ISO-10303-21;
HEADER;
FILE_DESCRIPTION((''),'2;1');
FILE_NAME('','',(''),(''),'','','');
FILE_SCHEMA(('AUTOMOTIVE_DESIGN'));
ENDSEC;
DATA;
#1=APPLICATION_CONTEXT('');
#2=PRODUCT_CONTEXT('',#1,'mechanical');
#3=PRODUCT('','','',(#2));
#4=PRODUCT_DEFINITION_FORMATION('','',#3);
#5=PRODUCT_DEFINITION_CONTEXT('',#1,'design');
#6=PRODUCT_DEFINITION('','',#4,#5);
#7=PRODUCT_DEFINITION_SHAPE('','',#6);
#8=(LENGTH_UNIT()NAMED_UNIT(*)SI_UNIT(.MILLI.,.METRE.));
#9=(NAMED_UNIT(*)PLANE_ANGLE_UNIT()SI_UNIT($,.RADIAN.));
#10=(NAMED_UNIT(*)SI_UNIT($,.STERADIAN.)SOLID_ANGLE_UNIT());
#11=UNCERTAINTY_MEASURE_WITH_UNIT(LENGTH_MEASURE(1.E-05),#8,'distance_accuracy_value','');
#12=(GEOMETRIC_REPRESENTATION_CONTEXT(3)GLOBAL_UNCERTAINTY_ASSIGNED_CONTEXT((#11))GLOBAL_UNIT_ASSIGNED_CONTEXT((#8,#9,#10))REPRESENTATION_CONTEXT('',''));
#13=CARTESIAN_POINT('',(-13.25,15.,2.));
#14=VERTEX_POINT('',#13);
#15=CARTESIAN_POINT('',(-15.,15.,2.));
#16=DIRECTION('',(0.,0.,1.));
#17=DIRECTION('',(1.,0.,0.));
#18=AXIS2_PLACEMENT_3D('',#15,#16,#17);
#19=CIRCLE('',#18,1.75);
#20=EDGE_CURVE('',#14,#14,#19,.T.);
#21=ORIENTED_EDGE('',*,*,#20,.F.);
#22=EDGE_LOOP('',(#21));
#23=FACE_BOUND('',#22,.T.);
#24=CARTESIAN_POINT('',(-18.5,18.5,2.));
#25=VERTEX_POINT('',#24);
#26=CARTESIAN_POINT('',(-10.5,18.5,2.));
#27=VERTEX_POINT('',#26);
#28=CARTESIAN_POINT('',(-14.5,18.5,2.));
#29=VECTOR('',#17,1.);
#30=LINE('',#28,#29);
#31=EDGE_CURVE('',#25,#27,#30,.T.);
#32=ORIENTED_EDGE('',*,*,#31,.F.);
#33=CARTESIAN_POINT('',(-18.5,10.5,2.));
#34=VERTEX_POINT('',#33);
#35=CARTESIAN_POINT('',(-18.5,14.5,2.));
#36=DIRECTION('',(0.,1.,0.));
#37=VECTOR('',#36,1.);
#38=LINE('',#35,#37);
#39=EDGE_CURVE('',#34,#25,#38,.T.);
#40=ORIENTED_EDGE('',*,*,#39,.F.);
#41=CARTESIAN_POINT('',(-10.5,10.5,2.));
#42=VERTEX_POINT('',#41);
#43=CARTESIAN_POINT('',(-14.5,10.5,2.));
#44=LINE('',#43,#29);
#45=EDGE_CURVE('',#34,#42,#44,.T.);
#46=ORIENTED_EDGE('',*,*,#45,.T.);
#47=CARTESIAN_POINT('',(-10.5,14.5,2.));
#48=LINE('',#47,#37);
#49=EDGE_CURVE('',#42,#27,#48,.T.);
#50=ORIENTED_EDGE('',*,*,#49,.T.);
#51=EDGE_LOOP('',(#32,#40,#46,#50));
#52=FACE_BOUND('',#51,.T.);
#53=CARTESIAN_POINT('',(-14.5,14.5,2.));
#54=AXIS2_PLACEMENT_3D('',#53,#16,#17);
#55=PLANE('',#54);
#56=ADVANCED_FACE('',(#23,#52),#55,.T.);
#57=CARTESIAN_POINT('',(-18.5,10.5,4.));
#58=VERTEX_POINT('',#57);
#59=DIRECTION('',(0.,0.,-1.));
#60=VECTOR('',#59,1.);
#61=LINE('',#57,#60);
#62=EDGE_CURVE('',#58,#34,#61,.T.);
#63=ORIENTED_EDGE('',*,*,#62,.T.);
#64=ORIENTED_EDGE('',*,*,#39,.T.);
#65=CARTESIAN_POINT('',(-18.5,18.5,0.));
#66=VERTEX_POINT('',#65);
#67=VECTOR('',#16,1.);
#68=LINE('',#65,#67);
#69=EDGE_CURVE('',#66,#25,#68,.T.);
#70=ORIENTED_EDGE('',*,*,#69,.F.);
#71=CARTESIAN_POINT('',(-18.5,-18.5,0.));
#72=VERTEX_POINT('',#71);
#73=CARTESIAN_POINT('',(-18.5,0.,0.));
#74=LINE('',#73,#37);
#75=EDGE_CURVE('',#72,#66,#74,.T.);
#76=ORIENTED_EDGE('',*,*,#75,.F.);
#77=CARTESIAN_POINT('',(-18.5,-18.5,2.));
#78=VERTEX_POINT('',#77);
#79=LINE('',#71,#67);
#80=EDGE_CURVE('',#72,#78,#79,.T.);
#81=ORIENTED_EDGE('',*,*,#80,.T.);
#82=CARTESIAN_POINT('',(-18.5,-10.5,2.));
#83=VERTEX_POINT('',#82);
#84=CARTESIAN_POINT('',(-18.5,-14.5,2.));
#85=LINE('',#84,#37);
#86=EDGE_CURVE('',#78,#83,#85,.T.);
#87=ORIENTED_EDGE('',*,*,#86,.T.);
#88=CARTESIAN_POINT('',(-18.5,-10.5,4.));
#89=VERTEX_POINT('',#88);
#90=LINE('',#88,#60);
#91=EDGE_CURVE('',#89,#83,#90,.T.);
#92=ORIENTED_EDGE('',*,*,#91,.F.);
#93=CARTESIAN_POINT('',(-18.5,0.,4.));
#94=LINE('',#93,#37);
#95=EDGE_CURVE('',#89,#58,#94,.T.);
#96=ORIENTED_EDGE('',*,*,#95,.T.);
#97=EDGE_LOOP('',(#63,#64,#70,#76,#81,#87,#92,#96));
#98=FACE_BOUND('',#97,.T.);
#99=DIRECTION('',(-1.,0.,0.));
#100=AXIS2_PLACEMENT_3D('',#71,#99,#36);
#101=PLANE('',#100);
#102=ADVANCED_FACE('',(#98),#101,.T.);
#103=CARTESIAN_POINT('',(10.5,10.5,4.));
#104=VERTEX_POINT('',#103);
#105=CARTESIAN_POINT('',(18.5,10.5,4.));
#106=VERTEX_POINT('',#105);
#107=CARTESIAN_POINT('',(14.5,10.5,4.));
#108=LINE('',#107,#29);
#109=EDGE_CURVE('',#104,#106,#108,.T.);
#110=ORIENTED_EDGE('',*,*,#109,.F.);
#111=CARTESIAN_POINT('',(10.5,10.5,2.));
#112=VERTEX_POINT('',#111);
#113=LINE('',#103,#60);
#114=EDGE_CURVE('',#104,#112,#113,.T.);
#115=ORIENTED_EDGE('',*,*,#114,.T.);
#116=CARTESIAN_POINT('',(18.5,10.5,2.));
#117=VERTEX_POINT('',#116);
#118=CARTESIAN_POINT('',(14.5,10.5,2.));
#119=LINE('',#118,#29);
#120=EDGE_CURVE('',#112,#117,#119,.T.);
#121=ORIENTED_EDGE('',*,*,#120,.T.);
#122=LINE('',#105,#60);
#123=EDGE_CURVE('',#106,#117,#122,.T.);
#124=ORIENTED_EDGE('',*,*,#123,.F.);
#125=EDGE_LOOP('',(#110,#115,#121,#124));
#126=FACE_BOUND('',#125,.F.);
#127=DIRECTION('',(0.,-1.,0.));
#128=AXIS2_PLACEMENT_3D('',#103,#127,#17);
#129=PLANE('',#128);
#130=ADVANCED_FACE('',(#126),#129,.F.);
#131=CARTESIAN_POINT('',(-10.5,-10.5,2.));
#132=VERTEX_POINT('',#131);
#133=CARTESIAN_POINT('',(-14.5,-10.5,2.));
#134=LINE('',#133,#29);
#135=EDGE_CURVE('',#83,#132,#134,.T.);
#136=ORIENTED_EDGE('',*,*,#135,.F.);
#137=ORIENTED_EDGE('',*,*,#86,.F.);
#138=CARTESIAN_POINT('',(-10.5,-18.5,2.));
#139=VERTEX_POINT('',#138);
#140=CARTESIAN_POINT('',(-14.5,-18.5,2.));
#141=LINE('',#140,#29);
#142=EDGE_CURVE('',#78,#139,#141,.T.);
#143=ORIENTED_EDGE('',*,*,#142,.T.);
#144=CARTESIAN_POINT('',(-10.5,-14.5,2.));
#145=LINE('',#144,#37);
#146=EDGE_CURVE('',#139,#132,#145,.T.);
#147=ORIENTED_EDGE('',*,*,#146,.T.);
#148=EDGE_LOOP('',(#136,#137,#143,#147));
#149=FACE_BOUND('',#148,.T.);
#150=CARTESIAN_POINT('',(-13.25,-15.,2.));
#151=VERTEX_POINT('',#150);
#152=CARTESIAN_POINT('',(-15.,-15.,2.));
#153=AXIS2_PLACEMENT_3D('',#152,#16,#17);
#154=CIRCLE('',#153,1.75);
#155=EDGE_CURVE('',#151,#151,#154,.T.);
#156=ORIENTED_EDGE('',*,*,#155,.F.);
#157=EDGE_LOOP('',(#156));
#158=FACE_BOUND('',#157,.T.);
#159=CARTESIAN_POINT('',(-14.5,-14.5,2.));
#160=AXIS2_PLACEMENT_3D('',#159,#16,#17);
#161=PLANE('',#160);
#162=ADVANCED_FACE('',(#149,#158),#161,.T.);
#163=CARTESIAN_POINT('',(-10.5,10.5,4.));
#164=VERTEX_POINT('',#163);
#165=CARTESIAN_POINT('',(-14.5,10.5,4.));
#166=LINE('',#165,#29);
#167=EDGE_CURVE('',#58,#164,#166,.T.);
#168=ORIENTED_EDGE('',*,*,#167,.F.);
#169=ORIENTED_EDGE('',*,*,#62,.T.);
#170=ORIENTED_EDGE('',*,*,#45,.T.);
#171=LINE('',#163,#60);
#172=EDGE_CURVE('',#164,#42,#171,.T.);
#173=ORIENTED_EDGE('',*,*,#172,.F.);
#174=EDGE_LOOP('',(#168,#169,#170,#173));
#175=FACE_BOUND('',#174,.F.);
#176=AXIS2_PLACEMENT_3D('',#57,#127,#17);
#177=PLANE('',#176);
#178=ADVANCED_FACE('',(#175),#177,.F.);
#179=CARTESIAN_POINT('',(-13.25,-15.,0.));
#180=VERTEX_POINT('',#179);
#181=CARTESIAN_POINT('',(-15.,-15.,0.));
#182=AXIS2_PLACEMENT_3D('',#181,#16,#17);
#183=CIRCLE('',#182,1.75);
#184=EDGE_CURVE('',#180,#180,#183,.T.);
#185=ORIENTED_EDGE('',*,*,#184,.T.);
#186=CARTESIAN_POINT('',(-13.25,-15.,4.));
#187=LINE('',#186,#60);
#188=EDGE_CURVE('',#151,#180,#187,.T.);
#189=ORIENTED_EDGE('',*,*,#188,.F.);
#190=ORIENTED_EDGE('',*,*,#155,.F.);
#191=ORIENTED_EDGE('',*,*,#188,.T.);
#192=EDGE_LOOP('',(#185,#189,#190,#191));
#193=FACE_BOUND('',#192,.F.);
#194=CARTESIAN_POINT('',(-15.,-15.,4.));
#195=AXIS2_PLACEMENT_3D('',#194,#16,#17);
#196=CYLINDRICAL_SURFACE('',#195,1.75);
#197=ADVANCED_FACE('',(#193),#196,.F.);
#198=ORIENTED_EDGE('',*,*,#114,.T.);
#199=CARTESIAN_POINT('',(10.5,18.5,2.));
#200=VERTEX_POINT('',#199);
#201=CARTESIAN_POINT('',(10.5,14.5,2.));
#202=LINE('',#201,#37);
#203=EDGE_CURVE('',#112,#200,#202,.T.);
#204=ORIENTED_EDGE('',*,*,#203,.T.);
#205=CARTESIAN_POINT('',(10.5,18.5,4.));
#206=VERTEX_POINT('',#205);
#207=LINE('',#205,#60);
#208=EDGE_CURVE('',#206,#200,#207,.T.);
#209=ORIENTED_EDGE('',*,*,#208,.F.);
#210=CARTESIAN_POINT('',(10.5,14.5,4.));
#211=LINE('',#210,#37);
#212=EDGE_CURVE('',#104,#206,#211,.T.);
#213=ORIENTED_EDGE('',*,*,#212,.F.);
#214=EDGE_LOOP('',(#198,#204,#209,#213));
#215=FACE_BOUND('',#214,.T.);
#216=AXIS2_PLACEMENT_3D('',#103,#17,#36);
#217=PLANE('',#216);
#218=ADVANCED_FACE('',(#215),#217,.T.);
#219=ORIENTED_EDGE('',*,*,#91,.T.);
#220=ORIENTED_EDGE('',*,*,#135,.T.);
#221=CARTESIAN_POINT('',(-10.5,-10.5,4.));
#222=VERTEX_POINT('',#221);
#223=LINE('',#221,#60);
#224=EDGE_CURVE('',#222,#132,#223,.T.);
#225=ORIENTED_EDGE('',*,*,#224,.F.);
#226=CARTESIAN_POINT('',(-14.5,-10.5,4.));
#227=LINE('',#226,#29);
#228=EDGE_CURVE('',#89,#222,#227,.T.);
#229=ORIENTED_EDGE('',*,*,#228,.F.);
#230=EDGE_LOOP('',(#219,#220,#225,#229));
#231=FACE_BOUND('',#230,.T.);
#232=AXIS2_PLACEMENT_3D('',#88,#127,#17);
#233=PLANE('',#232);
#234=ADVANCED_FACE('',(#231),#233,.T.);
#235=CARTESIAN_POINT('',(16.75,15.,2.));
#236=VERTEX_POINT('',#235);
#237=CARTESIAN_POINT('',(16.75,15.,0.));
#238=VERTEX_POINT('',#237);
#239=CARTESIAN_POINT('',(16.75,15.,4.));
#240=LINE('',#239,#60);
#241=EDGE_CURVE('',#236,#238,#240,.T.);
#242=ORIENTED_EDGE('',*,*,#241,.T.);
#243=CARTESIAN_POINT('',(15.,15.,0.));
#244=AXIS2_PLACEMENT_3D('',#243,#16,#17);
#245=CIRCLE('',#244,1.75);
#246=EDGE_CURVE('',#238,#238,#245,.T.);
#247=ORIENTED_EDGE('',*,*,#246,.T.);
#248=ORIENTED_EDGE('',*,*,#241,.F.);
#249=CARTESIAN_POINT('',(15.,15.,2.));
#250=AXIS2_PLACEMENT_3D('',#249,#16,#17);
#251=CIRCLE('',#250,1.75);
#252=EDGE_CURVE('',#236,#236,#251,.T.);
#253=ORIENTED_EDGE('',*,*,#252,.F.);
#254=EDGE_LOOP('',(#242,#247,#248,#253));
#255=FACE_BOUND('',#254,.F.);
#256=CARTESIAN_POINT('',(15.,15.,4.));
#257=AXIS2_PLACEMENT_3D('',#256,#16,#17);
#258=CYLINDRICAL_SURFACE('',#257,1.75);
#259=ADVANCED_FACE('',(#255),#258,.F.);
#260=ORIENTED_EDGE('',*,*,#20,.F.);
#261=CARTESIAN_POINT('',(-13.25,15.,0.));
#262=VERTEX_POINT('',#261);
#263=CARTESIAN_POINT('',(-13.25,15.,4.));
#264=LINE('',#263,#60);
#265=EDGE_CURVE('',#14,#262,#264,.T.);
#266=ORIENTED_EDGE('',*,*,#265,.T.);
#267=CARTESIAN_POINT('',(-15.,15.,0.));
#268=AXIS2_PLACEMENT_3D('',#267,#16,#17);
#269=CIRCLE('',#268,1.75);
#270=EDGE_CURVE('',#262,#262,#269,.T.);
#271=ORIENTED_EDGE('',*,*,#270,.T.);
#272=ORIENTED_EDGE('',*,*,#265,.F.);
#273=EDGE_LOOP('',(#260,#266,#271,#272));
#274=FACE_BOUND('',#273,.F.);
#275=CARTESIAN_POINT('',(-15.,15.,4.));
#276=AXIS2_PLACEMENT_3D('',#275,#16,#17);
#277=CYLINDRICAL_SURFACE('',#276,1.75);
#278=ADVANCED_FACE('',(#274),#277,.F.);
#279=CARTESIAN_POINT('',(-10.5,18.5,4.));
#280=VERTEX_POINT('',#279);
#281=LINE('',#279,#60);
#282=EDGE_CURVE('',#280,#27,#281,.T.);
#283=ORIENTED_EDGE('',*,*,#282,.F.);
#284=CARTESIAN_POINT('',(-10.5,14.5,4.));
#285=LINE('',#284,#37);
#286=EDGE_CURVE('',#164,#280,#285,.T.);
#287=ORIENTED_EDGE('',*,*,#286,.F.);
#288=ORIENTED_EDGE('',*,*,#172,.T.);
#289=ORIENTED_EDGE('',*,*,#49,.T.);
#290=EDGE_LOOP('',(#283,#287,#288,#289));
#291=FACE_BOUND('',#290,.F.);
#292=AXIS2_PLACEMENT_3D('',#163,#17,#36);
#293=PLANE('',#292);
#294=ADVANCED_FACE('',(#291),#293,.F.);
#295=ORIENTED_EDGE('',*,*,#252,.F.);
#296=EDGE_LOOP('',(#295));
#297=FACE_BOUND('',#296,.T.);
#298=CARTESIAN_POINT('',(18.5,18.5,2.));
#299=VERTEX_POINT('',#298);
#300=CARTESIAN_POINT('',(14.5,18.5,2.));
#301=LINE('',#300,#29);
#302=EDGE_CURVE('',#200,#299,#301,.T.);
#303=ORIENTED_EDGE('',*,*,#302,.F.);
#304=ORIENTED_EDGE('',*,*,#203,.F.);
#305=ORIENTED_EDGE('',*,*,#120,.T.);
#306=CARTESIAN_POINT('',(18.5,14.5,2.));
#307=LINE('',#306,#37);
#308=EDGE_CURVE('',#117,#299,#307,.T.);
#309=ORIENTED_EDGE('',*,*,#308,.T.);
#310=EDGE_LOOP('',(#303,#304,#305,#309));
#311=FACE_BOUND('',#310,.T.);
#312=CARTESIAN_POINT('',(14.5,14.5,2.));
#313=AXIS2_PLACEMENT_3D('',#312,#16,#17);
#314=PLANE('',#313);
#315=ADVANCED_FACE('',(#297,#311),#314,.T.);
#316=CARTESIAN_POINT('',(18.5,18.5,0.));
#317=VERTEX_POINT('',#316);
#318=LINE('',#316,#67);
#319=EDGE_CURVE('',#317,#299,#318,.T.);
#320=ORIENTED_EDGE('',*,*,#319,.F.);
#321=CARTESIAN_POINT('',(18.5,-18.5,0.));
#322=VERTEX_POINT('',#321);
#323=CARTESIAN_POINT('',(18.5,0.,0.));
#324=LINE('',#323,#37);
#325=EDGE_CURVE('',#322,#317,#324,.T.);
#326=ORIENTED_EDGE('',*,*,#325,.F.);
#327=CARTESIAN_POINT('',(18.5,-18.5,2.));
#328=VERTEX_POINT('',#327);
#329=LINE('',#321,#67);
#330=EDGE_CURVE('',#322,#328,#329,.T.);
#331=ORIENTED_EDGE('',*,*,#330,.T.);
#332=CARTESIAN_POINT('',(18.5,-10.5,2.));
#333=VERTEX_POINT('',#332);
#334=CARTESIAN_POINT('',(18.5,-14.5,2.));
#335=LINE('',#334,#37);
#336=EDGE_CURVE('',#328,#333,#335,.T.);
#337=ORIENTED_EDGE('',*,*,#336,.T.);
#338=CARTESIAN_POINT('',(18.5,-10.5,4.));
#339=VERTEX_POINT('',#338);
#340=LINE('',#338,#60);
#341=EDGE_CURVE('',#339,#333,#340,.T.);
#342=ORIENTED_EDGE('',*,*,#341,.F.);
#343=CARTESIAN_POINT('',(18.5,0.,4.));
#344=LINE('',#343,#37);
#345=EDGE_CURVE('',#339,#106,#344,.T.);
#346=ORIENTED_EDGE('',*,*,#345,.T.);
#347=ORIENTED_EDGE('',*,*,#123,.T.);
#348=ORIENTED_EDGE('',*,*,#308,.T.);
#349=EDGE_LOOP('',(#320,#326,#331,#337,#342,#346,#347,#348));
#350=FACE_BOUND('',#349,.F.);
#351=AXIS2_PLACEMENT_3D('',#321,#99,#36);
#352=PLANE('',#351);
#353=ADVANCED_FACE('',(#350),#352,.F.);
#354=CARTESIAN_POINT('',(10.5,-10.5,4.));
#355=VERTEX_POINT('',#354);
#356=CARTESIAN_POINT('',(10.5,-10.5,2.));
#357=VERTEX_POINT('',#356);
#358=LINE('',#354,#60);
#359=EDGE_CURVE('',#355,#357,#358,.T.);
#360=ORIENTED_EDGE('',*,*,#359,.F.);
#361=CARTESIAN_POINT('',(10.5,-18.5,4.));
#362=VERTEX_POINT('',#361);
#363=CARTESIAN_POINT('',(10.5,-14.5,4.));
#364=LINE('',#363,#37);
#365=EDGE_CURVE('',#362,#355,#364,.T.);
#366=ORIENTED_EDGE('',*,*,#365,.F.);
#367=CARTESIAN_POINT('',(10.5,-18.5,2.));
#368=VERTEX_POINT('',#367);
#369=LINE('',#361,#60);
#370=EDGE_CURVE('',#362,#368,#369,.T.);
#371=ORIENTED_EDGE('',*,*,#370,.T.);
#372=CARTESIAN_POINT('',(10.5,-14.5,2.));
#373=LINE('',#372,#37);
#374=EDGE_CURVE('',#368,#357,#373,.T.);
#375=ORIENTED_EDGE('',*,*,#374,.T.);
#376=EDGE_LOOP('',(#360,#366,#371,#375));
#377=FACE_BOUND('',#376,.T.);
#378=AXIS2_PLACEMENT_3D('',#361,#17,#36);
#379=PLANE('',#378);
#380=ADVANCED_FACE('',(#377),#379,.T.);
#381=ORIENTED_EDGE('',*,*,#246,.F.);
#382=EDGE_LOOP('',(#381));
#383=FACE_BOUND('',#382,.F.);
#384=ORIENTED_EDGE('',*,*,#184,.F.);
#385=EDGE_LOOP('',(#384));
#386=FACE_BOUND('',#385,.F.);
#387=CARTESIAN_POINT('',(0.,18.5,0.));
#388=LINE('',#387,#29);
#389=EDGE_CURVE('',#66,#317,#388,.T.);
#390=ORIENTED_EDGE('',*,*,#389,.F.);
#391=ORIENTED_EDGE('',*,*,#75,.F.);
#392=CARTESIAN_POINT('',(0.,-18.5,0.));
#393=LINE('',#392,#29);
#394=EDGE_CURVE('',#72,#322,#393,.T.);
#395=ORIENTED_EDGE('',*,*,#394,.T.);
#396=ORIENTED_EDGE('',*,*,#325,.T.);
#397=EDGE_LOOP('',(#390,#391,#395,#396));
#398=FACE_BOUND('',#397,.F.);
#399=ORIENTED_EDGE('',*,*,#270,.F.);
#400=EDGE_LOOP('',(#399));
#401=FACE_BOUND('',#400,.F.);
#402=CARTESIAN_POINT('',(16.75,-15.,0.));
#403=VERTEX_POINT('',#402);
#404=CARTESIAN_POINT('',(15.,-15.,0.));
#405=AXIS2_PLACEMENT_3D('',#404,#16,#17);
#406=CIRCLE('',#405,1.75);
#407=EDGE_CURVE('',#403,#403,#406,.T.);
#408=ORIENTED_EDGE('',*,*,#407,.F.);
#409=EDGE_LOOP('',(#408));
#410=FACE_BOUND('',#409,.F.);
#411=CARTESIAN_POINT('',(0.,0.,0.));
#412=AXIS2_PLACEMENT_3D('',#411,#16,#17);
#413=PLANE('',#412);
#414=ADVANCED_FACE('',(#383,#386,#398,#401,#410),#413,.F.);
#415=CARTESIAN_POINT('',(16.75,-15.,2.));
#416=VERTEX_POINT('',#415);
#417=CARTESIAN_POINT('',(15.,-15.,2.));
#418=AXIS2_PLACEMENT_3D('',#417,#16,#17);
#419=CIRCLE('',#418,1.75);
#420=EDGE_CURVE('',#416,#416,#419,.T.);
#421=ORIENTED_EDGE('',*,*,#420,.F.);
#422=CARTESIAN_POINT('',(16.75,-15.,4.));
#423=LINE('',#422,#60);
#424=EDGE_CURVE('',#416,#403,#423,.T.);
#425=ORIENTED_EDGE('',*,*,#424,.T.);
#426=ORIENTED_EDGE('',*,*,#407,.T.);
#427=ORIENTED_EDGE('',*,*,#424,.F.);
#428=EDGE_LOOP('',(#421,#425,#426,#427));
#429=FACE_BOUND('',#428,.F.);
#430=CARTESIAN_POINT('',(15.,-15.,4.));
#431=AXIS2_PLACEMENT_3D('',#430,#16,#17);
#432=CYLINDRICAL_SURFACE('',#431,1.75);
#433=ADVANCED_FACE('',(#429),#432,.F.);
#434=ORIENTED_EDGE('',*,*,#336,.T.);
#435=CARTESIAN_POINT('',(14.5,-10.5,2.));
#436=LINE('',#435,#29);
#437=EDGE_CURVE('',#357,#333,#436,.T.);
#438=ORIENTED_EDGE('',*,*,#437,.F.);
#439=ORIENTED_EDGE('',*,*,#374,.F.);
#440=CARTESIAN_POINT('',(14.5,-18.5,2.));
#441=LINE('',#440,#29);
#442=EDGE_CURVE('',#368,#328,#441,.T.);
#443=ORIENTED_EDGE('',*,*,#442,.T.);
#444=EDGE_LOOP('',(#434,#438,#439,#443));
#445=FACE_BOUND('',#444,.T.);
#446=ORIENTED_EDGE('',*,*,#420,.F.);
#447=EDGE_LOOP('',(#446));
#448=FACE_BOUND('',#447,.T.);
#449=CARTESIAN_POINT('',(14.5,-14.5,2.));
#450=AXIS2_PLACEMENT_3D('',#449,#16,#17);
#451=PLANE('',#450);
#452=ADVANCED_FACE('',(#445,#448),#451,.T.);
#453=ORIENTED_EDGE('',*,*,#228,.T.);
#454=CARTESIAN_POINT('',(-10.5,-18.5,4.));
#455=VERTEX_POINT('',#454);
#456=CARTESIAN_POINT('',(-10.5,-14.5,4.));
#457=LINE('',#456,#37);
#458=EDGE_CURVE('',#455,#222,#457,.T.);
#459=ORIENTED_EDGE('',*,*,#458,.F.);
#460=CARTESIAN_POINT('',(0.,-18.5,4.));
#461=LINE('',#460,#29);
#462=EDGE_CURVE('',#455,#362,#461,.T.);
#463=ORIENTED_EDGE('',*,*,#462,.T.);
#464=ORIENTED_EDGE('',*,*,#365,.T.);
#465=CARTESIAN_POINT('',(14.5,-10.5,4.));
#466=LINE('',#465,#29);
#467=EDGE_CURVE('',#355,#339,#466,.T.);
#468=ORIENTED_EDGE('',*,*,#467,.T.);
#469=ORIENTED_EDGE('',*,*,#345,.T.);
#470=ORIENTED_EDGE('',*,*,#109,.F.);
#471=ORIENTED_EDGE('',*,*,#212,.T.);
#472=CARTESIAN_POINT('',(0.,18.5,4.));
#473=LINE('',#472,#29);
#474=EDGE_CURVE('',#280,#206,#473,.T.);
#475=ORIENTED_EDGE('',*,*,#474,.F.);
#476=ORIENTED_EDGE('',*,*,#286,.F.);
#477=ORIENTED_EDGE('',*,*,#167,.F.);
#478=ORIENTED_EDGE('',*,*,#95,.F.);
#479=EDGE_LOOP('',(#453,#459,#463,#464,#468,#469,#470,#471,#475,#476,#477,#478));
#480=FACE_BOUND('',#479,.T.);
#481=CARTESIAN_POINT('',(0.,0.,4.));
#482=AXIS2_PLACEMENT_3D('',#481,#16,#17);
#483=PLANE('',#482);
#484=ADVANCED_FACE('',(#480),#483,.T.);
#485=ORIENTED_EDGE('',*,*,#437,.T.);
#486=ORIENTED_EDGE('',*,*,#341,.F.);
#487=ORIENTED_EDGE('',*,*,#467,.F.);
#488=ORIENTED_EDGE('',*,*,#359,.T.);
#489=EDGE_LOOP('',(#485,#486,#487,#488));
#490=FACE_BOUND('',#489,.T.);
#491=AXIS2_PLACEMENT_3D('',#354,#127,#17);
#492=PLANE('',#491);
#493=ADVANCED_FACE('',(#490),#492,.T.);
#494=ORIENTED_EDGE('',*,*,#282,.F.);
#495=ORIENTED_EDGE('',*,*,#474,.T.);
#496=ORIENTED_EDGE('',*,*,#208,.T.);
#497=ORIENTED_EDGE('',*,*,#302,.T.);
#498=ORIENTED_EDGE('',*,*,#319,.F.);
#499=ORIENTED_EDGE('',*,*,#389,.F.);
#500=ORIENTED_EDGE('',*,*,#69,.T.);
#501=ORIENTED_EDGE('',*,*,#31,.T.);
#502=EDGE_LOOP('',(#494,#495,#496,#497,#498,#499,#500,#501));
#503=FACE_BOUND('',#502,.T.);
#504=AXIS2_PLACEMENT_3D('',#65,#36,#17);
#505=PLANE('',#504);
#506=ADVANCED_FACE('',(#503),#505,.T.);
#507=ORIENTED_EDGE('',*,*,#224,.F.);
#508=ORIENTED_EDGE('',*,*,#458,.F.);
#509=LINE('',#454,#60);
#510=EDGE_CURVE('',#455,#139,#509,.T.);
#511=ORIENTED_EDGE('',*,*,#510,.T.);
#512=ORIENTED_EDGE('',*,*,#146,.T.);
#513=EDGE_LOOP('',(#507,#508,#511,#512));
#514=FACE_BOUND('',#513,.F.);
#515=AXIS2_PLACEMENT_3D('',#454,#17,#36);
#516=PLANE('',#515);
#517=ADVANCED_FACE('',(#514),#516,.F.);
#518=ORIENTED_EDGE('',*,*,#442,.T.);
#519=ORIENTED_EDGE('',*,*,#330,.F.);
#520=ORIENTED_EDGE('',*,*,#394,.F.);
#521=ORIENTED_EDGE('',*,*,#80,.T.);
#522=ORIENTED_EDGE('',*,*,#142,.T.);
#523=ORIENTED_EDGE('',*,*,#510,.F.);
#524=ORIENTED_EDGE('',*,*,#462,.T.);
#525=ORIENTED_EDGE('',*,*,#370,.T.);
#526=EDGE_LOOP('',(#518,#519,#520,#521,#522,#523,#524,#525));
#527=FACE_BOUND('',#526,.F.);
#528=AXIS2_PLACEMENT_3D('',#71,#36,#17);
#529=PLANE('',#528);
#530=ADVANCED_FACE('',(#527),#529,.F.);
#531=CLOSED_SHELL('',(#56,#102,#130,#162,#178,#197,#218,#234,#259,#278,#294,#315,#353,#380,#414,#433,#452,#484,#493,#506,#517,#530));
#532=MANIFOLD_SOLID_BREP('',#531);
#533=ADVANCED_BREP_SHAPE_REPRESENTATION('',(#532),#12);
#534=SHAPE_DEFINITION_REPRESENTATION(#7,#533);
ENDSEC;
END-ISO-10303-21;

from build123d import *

# Parameters (mm, degrees)
SKETCH_W        = 37
SKETCH_H        = 37
PAD_DEPTH       = 4
SKETCH001_R     = 1.75
POCKET_DEPTH    = 4.001
SKETCH002_W     = 8
SKETCH002_H     = 8
POCKET001_DEPTH = 2


with BuildPart() as part:
    # Sketch → Pad (new body)
    with BuildSketch(Plane.XY):
        Rectangle(SKETCH_W, SKETCH_H)
    extrude(amount=PAD_DEPTH)

    # Sketch001 (on Face6 of Pad) → Pocket (cut, through all)
    with BuildSketch(Plane.XY.offset(4)):
        with Locations((-15, 15)):
            Circle(SKETCH001_R)
        with Locations((15, 15)):
            Circle(SKETCH001_R)
        with Locations((-15, -15)):
            Circle(SKETCH001_R)
        with Locations((15, -15)):
            Circle(SKETCH001_R)
    extrude(amount=-POCKET_DEPTH, mode=Mode.SUBTRACT)

    # Sketch002 (on Face5 of Pocket) → Pocket001 (cut)
    with BuildSketch(Plane.XY.offset(4)):
        with Locations((-14.5, 14.5)):
            Rectangle(SKETCH002_W, SKETCH002_H)
        with Locations((14.5, 14.5)):
            Rectangle(SKETCH002_W, SKETCH002_H)
        with Locations((14.5, -14.5)):
            Rectangle(SKETCH002_W, SKETCH002_H)
        with Locations((-14.5, -14.5)):
            Rectangle(SKETCH002_W, SKETCH002_H)
    extrude(amount=-POCKET001_DEPTH, mode=Mode.SUBTRACT)


solid = part.part
